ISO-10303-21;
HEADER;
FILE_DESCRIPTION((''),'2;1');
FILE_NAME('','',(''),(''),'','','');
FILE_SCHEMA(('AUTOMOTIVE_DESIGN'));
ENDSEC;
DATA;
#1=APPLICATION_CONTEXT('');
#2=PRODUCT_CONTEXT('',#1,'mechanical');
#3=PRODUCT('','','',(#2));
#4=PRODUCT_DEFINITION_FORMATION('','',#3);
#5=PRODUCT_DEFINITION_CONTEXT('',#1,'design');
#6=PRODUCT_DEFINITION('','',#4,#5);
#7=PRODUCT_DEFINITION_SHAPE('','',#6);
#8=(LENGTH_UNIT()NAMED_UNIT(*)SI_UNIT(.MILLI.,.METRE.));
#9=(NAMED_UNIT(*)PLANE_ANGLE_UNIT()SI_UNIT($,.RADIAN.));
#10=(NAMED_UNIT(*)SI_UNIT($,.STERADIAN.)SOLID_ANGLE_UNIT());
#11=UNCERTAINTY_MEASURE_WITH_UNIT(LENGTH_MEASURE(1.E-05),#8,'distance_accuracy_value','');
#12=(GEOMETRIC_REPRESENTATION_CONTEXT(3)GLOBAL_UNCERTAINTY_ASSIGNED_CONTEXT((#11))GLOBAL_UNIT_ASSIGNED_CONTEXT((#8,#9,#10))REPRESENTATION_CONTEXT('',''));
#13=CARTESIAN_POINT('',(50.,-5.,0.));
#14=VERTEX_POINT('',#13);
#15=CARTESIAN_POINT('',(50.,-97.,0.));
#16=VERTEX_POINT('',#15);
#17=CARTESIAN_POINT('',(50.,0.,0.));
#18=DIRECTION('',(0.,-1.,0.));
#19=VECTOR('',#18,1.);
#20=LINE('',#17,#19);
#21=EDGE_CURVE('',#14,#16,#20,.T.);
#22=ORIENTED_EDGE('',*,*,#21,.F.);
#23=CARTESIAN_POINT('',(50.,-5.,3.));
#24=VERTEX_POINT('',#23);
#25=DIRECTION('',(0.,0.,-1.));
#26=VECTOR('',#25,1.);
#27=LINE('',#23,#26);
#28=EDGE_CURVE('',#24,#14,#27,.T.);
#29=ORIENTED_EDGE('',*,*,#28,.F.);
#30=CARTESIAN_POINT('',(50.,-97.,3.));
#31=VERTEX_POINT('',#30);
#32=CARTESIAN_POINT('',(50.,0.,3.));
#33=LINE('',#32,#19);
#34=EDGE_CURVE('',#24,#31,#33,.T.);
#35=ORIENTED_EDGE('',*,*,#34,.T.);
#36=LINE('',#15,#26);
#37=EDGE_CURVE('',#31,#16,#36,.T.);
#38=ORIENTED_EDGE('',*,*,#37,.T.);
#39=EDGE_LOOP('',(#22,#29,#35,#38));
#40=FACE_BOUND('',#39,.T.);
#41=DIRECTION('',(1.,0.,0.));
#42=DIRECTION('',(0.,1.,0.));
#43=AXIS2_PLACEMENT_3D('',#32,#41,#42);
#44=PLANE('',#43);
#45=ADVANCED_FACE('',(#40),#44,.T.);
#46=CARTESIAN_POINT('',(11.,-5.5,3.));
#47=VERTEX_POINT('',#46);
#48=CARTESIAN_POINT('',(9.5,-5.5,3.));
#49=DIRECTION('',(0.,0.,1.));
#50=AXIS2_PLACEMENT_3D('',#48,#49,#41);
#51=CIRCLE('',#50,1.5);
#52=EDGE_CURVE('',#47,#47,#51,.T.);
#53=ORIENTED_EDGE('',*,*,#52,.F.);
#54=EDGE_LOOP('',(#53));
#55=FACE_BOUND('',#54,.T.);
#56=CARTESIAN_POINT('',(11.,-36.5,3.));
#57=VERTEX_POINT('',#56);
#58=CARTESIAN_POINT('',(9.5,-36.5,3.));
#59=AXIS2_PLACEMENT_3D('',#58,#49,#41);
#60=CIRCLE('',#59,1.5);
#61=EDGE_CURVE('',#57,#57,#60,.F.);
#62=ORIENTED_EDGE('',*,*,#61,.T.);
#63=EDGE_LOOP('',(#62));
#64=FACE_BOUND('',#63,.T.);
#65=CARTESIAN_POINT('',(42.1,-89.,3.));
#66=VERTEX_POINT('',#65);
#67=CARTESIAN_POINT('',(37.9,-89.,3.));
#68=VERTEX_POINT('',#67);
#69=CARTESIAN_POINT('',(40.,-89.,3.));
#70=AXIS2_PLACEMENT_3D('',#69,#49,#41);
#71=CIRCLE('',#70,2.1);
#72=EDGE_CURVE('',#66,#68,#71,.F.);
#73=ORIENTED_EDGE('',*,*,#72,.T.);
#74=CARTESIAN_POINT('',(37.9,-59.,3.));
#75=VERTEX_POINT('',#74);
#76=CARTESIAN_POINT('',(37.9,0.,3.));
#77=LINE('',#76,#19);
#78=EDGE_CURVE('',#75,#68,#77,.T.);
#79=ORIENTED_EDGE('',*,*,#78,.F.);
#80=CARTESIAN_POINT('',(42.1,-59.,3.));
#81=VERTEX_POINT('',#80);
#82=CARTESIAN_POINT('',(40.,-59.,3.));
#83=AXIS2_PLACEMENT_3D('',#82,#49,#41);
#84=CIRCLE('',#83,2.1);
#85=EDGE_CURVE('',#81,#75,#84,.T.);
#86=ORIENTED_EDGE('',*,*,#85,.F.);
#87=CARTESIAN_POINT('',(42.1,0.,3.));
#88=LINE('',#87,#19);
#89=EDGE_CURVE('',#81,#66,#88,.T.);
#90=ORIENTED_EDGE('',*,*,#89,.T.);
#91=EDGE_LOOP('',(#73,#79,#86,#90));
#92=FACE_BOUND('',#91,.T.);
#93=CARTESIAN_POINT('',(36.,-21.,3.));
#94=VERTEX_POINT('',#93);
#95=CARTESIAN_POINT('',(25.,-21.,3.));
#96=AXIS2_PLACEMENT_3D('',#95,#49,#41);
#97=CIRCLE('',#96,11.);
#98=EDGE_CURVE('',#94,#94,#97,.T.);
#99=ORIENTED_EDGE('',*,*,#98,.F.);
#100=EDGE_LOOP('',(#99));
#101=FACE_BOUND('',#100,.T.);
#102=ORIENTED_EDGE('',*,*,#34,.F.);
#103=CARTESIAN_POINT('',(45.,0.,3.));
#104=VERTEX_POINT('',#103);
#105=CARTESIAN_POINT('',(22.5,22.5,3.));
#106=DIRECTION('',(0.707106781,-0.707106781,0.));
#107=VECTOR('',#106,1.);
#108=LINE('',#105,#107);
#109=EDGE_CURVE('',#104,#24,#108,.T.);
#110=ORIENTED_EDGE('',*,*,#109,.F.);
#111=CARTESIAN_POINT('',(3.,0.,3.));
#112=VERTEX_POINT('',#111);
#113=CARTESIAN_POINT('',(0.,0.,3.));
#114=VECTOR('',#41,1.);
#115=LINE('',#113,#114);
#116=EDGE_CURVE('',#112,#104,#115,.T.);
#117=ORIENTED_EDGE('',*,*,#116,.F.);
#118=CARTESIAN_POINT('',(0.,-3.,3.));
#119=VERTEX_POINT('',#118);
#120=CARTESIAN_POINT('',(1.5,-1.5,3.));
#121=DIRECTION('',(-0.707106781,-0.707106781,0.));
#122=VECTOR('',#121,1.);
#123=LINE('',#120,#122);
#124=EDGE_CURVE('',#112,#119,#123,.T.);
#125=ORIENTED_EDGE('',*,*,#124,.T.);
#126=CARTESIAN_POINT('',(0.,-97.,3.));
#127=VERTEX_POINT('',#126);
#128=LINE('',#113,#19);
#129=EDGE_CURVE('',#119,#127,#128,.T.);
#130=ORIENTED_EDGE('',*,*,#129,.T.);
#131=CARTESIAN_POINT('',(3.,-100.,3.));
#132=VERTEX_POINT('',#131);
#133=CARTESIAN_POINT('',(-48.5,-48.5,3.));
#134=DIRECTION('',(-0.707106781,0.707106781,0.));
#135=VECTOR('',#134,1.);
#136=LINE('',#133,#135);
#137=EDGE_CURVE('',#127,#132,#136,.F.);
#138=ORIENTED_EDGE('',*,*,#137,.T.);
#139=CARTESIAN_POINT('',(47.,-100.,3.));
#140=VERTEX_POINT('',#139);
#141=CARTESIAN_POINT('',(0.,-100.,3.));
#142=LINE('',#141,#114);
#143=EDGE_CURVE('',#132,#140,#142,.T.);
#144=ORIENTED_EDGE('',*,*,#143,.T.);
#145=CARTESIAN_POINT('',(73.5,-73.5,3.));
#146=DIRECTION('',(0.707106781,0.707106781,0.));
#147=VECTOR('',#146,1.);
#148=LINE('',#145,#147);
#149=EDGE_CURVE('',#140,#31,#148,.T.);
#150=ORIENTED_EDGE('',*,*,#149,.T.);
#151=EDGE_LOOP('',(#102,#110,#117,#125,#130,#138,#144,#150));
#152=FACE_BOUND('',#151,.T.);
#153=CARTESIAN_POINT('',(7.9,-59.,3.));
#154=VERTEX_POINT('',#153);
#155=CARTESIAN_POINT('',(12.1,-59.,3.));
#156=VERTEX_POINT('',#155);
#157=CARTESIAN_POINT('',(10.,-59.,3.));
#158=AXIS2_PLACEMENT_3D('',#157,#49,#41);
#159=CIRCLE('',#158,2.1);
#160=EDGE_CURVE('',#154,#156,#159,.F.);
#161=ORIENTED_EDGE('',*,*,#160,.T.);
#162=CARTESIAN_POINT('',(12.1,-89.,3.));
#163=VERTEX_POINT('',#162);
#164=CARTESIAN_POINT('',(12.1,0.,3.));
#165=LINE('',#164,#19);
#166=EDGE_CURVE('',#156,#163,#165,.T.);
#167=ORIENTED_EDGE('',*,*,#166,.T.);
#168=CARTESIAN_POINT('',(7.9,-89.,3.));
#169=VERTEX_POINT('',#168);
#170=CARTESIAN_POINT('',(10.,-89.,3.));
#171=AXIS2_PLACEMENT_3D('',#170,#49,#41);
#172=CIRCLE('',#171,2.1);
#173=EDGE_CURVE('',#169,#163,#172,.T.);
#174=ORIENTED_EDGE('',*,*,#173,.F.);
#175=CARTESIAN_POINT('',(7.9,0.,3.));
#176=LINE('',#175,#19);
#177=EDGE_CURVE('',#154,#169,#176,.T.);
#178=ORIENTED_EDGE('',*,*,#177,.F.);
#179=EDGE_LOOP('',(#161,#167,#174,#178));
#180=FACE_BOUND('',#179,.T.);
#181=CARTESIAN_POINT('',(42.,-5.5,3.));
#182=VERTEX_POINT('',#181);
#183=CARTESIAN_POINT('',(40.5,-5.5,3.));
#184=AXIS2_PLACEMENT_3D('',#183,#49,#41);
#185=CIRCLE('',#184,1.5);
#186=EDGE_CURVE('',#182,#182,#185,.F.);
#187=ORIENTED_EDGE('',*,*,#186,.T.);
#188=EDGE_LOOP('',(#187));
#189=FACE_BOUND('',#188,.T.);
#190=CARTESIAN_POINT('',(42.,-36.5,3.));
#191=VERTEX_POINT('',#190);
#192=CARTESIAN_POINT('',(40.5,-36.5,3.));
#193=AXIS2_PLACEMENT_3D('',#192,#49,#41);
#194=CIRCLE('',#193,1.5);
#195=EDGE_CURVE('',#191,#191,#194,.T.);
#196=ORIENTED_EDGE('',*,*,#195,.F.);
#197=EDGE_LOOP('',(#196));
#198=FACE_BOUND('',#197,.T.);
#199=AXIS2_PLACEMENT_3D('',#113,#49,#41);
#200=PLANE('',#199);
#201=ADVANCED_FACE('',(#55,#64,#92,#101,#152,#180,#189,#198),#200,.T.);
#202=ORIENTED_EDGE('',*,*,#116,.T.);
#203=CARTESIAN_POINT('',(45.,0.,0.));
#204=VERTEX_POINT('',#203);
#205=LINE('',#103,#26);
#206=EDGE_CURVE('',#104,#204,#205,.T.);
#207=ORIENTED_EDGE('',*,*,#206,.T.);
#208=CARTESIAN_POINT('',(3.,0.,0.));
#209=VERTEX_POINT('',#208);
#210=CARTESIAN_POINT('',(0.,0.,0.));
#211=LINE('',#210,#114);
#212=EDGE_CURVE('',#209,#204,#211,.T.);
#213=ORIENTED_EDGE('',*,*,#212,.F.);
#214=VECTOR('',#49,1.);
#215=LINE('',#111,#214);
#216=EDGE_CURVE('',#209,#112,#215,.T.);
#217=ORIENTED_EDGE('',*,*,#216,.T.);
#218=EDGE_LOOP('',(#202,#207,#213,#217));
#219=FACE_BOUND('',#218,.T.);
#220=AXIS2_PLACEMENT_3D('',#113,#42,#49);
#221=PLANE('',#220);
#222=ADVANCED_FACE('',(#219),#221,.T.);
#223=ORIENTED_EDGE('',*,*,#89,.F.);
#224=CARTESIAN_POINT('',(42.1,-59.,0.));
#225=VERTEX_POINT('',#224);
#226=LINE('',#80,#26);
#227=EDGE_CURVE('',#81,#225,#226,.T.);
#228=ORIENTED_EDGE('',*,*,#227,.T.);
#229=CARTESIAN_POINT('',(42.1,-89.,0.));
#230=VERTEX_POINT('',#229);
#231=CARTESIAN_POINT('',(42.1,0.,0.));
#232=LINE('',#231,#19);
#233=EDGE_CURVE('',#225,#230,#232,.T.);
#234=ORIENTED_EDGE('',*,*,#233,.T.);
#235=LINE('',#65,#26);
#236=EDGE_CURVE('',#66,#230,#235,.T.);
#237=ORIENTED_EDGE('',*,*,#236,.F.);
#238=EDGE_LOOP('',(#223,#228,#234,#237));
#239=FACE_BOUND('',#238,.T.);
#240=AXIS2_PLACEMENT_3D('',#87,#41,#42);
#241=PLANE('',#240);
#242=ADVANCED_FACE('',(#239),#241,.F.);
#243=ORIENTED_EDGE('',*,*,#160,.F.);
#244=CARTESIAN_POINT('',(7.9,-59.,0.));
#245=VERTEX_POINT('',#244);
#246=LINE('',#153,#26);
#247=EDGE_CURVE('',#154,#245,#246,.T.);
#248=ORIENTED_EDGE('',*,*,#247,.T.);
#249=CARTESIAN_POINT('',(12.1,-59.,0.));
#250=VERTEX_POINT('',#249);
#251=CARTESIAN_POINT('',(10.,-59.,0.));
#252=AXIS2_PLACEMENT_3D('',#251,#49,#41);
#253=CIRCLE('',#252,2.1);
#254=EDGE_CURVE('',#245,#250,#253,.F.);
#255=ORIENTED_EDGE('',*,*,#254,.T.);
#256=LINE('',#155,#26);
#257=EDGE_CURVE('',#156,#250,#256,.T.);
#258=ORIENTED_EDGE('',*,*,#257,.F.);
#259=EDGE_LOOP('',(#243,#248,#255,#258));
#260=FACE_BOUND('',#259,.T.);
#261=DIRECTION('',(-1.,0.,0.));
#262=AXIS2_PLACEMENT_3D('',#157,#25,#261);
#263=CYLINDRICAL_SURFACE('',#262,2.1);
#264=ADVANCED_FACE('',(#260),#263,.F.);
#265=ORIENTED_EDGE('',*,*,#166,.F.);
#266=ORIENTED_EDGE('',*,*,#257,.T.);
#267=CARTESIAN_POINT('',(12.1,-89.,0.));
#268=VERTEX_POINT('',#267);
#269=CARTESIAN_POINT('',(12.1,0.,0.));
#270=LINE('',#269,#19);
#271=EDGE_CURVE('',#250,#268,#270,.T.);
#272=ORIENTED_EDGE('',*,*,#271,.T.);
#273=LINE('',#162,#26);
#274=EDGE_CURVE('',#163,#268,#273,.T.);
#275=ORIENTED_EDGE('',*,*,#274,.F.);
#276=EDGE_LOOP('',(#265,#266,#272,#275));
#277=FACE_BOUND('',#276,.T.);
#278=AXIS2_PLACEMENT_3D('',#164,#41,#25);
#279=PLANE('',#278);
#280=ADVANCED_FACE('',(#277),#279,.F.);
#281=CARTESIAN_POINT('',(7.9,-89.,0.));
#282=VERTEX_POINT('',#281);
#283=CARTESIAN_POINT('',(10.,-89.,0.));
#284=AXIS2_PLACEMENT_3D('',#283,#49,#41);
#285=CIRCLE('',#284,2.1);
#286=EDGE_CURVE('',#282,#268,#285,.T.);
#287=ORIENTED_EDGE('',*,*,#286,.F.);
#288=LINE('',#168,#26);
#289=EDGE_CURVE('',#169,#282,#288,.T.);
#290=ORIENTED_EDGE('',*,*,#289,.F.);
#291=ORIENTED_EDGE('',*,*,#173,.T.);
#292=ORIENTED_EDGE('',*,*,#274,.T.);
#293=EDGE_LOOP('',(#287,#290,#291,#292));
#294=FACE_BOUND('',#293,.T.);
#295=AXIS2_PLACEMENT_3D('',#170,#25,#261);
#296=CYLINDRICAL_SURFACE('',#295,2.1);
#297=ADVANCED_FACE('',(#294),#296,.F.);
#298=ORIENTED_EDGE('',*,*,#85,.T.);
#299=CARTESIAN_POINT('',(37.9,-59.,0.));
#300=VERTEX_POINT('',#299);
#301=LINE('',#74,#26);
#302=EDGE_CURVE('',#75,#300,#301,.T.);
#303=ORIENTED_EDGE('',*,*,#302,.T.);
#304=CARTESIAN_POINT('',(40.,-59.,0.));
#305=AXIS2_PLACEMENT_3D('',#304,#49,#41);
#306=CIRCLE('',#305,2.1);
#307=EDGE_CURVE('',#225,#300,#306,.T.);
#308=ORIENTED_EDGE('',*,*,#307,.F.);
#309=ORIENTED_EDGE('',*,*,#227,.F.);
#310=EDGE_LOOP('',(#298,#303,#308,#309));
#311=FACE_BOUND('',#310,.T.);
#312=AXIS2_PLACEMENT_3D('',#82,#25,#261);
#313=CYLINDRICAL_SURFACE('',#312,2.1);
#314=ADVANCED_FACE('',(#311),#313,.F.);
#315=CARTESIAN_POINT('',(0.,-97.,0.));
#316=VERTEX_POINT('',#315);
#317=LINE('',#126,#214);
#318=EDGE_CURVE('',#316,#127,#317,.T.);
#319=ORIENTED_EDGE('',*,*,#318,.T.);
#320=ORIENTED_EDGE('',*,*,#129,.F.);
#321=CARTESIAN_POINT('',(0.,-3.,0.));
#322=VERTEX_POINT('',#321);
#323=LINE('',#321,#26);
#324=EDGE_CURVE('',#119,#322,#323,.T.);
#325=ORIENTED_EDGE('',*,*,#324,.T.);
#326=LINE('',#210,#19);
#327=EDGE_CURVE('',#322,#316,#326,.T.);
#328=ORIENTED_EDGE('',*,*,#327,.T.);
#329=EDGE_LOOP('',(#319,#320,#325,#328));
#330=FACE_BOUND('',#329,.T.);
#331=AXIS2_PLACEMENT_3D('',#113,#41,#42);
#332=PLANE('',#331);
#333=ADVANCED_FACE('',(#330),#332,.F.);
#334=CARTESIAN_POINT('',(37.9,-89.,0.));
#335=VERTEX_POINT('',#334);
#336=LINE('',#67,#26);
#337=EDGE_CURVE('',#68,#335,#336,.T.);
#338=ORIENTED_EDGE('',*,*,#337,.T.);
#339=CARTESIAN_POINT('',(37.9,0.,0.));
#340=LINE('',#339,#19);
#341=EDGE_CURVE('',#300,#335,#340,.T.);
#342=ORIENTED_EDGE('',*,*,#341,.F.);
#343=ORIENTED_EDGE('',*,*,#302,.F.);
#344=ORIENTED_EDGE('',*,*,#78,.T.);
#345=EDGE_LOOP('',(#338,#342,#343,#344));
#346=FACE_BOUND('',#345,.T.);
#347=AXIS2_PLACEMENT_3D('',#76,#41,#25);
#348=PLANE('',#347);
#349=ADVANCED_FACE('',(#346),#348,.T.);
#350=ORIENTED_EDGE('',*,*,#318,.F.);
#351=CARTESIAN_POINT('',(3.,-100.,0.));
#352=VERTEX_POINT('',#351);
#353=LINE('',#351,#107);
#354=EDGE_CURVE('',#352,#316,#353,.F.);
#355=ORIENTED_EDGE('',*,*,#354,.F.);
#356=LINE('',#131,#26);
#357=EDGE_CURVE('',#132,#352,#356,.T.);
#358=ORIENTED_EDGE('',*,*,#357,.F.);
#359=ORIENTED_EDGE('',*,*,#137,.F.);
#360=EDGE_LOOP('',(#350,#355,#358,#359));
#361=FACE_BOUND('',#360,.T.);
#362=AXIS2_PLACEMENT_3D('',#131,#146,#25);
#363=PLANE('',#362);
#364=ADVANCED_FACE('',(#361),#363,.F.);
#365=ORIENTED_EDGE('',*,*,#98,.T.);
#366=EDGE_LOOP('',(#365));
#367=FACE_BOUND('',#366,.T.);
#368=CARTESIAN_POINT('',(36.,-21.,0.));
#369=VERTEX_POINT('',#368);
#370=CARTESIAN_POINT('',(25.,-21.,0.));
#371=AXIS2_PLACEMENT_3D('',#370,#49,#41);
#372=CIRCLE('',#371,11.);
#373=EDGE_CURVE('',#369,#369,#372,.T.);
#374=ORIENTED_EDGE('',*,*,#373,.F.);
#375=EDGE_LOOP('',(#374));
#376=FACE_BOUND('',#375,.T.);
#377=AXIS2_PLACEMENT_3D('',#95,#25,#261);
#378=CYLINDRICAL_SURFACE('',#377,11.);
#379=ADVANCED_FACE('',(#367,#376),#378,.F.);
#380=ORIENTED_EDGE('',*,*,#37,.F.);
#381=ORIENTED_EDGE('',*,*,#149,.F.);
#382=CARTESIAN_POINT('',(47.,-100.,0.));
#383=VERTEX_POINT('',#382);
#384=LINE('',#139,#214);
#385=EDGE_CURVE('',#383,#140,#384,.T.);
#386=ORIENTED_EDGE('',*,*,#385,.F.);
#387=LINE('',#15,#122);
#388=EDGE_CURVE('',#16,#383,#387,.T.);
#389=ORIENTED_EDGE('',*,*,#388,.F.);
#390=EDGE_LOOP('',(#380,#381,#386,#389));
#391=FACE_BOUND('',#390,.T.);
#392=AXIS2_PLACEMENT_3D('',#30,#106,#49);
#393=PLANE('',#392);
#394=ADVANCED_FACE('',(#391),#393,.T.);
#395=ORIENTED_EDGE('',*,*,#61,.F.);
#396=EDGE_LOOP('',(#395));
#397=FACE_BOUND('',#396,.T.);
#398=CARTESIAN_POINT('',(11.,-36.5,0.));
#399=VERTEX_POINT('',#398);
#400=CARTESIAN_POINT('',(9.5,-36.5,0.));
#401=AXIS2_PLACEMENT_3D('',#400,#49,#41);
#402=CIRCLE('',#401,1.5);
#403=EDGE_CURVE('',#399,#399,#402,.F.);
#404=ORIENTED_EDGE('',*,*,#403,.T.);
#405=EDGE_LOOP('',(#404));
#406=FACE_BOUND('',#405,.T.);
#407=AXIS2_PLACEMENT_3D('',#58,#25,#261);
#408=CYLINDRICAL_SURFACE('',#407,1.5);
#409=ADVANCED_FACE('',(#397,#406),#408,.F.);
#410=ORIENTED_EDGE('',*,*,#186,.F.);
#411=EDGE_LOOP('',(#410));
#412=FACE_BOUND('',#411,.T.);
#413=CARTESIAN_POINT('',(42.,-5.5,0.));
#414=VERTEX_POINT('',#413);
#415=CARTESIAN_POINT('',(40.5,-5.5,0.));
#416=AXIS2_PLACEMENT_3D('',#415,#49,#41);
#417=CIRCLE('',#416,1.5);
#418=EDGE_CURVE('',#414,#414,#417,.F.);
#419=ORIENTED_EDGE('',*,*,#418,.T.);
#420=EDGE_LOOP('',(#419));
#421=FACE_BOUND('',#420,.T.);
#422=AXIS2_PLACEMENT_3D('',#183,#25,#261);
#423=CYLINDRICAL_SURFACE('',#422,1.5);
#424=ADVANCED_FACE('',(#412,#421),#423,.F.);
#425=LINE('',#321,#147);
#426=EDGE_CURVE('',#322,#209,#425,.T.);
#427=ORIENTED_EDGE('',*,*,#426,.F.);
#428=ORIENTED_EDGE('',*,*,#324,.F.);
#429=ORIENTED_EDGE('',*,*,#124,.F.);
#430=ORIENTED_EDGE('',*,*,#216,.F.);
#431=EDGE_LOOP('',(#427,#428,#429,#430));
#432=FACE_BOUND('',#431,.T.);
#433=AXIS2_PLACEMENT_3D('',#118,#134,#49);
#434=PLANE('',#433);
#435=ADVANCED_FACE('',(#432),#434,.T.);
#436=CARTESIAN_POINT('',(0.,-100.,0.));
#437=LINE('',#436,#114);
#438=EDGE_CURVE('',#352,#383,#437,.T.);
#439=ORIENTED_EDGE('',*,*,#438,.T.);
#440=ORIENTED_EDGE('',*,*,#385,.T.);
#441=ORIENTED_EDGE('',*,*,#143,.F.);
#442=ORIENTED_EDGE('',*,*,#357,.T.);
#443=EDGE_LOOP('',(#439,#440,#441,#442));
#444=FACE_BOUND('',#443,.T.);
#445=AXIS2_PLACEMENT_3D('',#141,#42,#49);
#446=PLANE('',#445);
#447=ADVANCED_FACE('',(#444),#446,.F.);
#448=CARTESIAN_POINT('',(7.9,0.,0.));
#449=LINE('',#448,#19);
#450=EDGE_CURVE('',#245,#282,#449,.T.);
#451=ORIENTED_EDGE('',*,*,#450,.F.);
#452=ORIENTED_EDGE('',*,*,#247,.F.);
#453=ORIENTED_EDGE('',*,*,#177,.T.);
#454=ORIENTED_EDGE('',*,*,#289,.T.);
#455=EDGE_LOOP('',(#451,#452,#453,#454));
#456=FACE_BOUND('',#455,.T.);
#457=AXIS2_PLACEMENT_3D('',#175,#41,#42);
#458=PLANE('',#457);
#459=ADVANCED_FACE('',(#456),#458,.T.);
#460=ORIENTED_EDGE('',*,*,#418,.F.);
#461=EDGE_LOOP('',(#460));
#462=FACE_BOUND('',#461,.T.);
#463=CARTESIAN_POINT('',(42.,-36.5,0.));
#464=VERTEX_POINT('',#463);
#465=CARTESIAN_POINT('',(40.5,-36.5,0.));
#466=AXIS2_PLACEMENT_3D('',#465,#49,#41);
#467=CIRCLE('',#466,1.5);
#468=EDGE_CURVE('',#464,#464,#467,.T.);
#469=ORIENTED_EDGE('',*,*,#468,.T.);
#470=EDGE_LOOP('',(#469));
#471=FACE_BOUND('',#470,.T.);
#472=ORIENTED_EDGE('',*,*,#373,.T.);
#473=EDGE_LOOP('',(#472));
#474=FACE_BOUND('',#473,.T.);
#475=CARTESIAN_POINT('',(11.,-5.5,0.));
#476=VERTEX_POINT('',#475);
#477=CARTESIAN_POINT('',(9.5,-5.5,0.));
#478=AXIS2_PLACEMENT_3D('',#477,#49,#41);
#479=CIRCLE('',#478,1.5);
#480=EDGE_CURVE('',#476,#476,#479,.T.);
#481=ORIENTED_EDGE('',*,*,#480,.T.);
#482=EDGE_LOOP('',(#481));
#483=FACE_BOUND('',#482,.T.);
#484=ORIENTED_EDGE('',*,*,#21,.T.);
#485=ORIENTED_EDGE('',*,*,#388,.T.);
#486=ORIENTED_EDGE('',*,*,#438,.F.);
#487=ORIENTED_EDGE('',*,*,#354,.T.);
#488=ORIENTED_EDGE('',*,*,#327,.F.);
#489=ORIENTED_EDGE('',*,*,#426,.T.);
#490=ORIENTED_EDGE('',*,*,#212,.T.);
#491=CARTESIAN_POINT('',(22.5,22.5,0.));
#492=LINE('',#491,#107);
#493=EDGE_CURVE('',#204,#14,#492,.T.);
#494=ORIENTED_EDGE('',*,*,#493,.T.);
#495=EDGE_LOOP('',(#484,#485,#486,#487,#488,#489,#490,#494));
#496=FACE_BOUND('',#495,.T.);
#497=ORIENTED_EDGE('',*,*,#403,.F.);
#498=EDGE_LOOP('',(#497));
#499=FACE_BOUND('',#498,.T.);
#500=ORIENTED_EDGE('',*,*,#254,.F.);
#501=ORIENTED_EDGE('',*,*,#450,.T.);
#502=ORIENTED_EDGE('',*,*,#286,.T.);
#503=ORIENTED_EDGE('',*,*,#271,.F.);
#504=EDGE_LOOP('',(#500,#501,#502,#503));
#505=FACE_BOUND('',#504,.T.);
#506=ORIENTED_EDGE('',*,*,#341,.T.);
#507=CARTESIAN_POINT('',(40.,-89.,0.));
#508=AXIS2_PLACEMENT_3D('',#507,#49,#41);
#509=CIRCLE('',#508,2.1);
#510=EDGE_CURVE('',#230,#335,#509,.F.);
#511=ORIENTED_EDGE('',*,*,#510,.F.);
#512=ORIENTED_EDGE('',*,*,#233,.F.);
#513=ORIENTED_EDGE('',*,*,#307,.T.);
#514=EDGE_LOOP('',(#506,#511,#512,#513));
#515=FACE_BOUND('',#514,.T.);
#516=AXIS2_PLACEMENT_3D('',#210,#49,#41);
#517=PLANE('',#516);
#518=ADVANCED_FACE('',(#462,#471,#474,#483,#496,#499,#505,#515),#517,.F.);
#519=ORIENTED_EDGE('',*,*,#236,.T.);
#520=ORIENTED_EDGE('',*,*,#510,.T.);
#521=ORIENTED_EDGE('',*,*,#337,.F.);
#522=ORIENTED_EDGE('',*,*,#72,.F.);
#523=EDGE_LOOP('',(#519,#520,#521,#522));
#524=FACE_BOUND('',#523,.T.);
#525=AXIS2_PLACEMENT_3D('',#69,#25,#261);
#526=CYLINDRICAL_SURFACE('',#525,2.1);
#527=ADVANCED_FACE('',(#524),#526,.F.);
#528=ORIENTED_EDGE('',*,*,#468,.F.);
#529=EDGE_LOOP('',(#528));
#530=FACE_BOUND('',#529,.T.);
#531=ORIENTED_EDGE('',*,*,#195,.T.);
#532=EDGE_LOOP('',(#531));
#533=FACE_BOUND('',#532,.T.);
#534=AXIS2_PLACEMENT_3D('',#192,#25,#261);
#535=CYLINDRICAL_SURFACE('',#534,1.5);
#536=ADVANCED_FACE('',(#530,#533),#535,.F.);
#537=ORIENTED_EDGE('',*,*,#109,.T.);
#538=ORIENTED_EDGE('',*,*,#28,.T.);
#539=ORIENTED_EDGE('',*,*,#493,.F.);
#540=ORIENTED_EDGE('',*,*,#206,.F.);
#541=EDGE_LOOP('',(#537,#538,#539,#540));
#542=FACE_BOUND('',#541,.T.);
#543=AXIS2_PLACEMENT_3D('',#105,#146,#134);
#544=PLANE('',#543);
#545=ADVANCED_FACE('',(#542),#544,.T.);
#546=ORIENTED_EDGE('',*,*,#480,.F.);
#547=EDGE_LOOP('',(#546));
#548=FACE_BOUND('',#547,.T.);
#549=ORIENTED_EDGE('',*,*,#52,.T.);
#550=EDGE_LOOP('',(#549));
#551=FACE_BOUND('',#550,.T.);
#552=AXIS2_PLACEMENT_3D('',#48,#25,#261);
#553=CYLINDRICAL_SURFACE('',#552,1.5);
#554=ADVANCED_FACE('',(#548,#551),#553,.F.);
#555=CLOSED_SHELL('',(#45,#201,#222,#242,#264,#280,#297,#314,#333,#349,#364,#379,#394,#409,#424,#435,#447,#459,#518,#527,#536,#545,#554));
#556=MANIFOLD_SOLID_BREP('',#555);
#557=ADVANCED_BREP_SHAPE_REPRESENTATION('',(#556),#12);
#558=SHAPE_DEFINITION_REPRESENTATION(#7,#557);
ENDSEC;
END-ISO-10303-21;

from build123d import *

# Parameters (mm, degrees)
SKETCH_1_R      = 1.5
SKETCH_1_R_2    = 11
EXTRUDE_1_DEPTH = 3
CHAMFER_1_SIZE  = 3


with BuildPart() as part:
    # 草图1 → 凸台-拉伸1 (new body)
    with BuildSketch(Plane.XY):
        Polygon((45, 0), (50, -5), (50, -100), (0, -100), (0, 0), align=None)
        with Locations((9.5, -36.5)):
            Circle(SKETCH_1_R, mode=Mode.SUBTRACT)
        with Locations((9.5, -5.5)):
            Circle(SKETCH_1_R, mode=Mode.SUBTRACT)
        with Locations((25, -21)):
            Circle(SKETCH_1_R_2, mode=Mode.SUBTRACT)
        with Locations((40.5, -36.5)):
            Circle(SKETCH_1_R, mode=Mode.SUBTRACT)
        with Locations((40.5, -5.5)):
            Circle(SKETCH_1_R, mode=Mode.SUBTRACT)
        with BuildLine():
            ThreePointArc((42.1, -59), (40, -56.9), (37.9, -59))
            Line((37.9, -59), (37.9, -89))
            ThreePointArc((37.9, -89), (40, -91.1), (42.1, -89))
            Line((42.1, -89), (42.1, -59))
        make_face(mode=Mode.SUBTRACT)
        with BuildLine():
            ThreePointArc((7.9, -89), (10, -91.1), (12.1, -89))
            Line((12.1, -89), (12.1, -59))
            ThreePointArc((12.1, -59), (10, -56.9), (7.9, -59))
            Line((7.9, -59), (7.9, -89))
        make_face(mode=Mode.SUBTRACT)
    extrude(amount=EXTRUDE_1_DEPTH)

    # 倒角1
    chamfer_1_edges = [part.edges().sort_by_distance(p)[0] for p in [
        (50, -100, 1.5),
        (0, -100, 1.5),
        (0, 0, 1.5),
    ]]
    chamfer(chamfer_1_edges, length=CHAMFER_1_SIZE)


solid = part.part
